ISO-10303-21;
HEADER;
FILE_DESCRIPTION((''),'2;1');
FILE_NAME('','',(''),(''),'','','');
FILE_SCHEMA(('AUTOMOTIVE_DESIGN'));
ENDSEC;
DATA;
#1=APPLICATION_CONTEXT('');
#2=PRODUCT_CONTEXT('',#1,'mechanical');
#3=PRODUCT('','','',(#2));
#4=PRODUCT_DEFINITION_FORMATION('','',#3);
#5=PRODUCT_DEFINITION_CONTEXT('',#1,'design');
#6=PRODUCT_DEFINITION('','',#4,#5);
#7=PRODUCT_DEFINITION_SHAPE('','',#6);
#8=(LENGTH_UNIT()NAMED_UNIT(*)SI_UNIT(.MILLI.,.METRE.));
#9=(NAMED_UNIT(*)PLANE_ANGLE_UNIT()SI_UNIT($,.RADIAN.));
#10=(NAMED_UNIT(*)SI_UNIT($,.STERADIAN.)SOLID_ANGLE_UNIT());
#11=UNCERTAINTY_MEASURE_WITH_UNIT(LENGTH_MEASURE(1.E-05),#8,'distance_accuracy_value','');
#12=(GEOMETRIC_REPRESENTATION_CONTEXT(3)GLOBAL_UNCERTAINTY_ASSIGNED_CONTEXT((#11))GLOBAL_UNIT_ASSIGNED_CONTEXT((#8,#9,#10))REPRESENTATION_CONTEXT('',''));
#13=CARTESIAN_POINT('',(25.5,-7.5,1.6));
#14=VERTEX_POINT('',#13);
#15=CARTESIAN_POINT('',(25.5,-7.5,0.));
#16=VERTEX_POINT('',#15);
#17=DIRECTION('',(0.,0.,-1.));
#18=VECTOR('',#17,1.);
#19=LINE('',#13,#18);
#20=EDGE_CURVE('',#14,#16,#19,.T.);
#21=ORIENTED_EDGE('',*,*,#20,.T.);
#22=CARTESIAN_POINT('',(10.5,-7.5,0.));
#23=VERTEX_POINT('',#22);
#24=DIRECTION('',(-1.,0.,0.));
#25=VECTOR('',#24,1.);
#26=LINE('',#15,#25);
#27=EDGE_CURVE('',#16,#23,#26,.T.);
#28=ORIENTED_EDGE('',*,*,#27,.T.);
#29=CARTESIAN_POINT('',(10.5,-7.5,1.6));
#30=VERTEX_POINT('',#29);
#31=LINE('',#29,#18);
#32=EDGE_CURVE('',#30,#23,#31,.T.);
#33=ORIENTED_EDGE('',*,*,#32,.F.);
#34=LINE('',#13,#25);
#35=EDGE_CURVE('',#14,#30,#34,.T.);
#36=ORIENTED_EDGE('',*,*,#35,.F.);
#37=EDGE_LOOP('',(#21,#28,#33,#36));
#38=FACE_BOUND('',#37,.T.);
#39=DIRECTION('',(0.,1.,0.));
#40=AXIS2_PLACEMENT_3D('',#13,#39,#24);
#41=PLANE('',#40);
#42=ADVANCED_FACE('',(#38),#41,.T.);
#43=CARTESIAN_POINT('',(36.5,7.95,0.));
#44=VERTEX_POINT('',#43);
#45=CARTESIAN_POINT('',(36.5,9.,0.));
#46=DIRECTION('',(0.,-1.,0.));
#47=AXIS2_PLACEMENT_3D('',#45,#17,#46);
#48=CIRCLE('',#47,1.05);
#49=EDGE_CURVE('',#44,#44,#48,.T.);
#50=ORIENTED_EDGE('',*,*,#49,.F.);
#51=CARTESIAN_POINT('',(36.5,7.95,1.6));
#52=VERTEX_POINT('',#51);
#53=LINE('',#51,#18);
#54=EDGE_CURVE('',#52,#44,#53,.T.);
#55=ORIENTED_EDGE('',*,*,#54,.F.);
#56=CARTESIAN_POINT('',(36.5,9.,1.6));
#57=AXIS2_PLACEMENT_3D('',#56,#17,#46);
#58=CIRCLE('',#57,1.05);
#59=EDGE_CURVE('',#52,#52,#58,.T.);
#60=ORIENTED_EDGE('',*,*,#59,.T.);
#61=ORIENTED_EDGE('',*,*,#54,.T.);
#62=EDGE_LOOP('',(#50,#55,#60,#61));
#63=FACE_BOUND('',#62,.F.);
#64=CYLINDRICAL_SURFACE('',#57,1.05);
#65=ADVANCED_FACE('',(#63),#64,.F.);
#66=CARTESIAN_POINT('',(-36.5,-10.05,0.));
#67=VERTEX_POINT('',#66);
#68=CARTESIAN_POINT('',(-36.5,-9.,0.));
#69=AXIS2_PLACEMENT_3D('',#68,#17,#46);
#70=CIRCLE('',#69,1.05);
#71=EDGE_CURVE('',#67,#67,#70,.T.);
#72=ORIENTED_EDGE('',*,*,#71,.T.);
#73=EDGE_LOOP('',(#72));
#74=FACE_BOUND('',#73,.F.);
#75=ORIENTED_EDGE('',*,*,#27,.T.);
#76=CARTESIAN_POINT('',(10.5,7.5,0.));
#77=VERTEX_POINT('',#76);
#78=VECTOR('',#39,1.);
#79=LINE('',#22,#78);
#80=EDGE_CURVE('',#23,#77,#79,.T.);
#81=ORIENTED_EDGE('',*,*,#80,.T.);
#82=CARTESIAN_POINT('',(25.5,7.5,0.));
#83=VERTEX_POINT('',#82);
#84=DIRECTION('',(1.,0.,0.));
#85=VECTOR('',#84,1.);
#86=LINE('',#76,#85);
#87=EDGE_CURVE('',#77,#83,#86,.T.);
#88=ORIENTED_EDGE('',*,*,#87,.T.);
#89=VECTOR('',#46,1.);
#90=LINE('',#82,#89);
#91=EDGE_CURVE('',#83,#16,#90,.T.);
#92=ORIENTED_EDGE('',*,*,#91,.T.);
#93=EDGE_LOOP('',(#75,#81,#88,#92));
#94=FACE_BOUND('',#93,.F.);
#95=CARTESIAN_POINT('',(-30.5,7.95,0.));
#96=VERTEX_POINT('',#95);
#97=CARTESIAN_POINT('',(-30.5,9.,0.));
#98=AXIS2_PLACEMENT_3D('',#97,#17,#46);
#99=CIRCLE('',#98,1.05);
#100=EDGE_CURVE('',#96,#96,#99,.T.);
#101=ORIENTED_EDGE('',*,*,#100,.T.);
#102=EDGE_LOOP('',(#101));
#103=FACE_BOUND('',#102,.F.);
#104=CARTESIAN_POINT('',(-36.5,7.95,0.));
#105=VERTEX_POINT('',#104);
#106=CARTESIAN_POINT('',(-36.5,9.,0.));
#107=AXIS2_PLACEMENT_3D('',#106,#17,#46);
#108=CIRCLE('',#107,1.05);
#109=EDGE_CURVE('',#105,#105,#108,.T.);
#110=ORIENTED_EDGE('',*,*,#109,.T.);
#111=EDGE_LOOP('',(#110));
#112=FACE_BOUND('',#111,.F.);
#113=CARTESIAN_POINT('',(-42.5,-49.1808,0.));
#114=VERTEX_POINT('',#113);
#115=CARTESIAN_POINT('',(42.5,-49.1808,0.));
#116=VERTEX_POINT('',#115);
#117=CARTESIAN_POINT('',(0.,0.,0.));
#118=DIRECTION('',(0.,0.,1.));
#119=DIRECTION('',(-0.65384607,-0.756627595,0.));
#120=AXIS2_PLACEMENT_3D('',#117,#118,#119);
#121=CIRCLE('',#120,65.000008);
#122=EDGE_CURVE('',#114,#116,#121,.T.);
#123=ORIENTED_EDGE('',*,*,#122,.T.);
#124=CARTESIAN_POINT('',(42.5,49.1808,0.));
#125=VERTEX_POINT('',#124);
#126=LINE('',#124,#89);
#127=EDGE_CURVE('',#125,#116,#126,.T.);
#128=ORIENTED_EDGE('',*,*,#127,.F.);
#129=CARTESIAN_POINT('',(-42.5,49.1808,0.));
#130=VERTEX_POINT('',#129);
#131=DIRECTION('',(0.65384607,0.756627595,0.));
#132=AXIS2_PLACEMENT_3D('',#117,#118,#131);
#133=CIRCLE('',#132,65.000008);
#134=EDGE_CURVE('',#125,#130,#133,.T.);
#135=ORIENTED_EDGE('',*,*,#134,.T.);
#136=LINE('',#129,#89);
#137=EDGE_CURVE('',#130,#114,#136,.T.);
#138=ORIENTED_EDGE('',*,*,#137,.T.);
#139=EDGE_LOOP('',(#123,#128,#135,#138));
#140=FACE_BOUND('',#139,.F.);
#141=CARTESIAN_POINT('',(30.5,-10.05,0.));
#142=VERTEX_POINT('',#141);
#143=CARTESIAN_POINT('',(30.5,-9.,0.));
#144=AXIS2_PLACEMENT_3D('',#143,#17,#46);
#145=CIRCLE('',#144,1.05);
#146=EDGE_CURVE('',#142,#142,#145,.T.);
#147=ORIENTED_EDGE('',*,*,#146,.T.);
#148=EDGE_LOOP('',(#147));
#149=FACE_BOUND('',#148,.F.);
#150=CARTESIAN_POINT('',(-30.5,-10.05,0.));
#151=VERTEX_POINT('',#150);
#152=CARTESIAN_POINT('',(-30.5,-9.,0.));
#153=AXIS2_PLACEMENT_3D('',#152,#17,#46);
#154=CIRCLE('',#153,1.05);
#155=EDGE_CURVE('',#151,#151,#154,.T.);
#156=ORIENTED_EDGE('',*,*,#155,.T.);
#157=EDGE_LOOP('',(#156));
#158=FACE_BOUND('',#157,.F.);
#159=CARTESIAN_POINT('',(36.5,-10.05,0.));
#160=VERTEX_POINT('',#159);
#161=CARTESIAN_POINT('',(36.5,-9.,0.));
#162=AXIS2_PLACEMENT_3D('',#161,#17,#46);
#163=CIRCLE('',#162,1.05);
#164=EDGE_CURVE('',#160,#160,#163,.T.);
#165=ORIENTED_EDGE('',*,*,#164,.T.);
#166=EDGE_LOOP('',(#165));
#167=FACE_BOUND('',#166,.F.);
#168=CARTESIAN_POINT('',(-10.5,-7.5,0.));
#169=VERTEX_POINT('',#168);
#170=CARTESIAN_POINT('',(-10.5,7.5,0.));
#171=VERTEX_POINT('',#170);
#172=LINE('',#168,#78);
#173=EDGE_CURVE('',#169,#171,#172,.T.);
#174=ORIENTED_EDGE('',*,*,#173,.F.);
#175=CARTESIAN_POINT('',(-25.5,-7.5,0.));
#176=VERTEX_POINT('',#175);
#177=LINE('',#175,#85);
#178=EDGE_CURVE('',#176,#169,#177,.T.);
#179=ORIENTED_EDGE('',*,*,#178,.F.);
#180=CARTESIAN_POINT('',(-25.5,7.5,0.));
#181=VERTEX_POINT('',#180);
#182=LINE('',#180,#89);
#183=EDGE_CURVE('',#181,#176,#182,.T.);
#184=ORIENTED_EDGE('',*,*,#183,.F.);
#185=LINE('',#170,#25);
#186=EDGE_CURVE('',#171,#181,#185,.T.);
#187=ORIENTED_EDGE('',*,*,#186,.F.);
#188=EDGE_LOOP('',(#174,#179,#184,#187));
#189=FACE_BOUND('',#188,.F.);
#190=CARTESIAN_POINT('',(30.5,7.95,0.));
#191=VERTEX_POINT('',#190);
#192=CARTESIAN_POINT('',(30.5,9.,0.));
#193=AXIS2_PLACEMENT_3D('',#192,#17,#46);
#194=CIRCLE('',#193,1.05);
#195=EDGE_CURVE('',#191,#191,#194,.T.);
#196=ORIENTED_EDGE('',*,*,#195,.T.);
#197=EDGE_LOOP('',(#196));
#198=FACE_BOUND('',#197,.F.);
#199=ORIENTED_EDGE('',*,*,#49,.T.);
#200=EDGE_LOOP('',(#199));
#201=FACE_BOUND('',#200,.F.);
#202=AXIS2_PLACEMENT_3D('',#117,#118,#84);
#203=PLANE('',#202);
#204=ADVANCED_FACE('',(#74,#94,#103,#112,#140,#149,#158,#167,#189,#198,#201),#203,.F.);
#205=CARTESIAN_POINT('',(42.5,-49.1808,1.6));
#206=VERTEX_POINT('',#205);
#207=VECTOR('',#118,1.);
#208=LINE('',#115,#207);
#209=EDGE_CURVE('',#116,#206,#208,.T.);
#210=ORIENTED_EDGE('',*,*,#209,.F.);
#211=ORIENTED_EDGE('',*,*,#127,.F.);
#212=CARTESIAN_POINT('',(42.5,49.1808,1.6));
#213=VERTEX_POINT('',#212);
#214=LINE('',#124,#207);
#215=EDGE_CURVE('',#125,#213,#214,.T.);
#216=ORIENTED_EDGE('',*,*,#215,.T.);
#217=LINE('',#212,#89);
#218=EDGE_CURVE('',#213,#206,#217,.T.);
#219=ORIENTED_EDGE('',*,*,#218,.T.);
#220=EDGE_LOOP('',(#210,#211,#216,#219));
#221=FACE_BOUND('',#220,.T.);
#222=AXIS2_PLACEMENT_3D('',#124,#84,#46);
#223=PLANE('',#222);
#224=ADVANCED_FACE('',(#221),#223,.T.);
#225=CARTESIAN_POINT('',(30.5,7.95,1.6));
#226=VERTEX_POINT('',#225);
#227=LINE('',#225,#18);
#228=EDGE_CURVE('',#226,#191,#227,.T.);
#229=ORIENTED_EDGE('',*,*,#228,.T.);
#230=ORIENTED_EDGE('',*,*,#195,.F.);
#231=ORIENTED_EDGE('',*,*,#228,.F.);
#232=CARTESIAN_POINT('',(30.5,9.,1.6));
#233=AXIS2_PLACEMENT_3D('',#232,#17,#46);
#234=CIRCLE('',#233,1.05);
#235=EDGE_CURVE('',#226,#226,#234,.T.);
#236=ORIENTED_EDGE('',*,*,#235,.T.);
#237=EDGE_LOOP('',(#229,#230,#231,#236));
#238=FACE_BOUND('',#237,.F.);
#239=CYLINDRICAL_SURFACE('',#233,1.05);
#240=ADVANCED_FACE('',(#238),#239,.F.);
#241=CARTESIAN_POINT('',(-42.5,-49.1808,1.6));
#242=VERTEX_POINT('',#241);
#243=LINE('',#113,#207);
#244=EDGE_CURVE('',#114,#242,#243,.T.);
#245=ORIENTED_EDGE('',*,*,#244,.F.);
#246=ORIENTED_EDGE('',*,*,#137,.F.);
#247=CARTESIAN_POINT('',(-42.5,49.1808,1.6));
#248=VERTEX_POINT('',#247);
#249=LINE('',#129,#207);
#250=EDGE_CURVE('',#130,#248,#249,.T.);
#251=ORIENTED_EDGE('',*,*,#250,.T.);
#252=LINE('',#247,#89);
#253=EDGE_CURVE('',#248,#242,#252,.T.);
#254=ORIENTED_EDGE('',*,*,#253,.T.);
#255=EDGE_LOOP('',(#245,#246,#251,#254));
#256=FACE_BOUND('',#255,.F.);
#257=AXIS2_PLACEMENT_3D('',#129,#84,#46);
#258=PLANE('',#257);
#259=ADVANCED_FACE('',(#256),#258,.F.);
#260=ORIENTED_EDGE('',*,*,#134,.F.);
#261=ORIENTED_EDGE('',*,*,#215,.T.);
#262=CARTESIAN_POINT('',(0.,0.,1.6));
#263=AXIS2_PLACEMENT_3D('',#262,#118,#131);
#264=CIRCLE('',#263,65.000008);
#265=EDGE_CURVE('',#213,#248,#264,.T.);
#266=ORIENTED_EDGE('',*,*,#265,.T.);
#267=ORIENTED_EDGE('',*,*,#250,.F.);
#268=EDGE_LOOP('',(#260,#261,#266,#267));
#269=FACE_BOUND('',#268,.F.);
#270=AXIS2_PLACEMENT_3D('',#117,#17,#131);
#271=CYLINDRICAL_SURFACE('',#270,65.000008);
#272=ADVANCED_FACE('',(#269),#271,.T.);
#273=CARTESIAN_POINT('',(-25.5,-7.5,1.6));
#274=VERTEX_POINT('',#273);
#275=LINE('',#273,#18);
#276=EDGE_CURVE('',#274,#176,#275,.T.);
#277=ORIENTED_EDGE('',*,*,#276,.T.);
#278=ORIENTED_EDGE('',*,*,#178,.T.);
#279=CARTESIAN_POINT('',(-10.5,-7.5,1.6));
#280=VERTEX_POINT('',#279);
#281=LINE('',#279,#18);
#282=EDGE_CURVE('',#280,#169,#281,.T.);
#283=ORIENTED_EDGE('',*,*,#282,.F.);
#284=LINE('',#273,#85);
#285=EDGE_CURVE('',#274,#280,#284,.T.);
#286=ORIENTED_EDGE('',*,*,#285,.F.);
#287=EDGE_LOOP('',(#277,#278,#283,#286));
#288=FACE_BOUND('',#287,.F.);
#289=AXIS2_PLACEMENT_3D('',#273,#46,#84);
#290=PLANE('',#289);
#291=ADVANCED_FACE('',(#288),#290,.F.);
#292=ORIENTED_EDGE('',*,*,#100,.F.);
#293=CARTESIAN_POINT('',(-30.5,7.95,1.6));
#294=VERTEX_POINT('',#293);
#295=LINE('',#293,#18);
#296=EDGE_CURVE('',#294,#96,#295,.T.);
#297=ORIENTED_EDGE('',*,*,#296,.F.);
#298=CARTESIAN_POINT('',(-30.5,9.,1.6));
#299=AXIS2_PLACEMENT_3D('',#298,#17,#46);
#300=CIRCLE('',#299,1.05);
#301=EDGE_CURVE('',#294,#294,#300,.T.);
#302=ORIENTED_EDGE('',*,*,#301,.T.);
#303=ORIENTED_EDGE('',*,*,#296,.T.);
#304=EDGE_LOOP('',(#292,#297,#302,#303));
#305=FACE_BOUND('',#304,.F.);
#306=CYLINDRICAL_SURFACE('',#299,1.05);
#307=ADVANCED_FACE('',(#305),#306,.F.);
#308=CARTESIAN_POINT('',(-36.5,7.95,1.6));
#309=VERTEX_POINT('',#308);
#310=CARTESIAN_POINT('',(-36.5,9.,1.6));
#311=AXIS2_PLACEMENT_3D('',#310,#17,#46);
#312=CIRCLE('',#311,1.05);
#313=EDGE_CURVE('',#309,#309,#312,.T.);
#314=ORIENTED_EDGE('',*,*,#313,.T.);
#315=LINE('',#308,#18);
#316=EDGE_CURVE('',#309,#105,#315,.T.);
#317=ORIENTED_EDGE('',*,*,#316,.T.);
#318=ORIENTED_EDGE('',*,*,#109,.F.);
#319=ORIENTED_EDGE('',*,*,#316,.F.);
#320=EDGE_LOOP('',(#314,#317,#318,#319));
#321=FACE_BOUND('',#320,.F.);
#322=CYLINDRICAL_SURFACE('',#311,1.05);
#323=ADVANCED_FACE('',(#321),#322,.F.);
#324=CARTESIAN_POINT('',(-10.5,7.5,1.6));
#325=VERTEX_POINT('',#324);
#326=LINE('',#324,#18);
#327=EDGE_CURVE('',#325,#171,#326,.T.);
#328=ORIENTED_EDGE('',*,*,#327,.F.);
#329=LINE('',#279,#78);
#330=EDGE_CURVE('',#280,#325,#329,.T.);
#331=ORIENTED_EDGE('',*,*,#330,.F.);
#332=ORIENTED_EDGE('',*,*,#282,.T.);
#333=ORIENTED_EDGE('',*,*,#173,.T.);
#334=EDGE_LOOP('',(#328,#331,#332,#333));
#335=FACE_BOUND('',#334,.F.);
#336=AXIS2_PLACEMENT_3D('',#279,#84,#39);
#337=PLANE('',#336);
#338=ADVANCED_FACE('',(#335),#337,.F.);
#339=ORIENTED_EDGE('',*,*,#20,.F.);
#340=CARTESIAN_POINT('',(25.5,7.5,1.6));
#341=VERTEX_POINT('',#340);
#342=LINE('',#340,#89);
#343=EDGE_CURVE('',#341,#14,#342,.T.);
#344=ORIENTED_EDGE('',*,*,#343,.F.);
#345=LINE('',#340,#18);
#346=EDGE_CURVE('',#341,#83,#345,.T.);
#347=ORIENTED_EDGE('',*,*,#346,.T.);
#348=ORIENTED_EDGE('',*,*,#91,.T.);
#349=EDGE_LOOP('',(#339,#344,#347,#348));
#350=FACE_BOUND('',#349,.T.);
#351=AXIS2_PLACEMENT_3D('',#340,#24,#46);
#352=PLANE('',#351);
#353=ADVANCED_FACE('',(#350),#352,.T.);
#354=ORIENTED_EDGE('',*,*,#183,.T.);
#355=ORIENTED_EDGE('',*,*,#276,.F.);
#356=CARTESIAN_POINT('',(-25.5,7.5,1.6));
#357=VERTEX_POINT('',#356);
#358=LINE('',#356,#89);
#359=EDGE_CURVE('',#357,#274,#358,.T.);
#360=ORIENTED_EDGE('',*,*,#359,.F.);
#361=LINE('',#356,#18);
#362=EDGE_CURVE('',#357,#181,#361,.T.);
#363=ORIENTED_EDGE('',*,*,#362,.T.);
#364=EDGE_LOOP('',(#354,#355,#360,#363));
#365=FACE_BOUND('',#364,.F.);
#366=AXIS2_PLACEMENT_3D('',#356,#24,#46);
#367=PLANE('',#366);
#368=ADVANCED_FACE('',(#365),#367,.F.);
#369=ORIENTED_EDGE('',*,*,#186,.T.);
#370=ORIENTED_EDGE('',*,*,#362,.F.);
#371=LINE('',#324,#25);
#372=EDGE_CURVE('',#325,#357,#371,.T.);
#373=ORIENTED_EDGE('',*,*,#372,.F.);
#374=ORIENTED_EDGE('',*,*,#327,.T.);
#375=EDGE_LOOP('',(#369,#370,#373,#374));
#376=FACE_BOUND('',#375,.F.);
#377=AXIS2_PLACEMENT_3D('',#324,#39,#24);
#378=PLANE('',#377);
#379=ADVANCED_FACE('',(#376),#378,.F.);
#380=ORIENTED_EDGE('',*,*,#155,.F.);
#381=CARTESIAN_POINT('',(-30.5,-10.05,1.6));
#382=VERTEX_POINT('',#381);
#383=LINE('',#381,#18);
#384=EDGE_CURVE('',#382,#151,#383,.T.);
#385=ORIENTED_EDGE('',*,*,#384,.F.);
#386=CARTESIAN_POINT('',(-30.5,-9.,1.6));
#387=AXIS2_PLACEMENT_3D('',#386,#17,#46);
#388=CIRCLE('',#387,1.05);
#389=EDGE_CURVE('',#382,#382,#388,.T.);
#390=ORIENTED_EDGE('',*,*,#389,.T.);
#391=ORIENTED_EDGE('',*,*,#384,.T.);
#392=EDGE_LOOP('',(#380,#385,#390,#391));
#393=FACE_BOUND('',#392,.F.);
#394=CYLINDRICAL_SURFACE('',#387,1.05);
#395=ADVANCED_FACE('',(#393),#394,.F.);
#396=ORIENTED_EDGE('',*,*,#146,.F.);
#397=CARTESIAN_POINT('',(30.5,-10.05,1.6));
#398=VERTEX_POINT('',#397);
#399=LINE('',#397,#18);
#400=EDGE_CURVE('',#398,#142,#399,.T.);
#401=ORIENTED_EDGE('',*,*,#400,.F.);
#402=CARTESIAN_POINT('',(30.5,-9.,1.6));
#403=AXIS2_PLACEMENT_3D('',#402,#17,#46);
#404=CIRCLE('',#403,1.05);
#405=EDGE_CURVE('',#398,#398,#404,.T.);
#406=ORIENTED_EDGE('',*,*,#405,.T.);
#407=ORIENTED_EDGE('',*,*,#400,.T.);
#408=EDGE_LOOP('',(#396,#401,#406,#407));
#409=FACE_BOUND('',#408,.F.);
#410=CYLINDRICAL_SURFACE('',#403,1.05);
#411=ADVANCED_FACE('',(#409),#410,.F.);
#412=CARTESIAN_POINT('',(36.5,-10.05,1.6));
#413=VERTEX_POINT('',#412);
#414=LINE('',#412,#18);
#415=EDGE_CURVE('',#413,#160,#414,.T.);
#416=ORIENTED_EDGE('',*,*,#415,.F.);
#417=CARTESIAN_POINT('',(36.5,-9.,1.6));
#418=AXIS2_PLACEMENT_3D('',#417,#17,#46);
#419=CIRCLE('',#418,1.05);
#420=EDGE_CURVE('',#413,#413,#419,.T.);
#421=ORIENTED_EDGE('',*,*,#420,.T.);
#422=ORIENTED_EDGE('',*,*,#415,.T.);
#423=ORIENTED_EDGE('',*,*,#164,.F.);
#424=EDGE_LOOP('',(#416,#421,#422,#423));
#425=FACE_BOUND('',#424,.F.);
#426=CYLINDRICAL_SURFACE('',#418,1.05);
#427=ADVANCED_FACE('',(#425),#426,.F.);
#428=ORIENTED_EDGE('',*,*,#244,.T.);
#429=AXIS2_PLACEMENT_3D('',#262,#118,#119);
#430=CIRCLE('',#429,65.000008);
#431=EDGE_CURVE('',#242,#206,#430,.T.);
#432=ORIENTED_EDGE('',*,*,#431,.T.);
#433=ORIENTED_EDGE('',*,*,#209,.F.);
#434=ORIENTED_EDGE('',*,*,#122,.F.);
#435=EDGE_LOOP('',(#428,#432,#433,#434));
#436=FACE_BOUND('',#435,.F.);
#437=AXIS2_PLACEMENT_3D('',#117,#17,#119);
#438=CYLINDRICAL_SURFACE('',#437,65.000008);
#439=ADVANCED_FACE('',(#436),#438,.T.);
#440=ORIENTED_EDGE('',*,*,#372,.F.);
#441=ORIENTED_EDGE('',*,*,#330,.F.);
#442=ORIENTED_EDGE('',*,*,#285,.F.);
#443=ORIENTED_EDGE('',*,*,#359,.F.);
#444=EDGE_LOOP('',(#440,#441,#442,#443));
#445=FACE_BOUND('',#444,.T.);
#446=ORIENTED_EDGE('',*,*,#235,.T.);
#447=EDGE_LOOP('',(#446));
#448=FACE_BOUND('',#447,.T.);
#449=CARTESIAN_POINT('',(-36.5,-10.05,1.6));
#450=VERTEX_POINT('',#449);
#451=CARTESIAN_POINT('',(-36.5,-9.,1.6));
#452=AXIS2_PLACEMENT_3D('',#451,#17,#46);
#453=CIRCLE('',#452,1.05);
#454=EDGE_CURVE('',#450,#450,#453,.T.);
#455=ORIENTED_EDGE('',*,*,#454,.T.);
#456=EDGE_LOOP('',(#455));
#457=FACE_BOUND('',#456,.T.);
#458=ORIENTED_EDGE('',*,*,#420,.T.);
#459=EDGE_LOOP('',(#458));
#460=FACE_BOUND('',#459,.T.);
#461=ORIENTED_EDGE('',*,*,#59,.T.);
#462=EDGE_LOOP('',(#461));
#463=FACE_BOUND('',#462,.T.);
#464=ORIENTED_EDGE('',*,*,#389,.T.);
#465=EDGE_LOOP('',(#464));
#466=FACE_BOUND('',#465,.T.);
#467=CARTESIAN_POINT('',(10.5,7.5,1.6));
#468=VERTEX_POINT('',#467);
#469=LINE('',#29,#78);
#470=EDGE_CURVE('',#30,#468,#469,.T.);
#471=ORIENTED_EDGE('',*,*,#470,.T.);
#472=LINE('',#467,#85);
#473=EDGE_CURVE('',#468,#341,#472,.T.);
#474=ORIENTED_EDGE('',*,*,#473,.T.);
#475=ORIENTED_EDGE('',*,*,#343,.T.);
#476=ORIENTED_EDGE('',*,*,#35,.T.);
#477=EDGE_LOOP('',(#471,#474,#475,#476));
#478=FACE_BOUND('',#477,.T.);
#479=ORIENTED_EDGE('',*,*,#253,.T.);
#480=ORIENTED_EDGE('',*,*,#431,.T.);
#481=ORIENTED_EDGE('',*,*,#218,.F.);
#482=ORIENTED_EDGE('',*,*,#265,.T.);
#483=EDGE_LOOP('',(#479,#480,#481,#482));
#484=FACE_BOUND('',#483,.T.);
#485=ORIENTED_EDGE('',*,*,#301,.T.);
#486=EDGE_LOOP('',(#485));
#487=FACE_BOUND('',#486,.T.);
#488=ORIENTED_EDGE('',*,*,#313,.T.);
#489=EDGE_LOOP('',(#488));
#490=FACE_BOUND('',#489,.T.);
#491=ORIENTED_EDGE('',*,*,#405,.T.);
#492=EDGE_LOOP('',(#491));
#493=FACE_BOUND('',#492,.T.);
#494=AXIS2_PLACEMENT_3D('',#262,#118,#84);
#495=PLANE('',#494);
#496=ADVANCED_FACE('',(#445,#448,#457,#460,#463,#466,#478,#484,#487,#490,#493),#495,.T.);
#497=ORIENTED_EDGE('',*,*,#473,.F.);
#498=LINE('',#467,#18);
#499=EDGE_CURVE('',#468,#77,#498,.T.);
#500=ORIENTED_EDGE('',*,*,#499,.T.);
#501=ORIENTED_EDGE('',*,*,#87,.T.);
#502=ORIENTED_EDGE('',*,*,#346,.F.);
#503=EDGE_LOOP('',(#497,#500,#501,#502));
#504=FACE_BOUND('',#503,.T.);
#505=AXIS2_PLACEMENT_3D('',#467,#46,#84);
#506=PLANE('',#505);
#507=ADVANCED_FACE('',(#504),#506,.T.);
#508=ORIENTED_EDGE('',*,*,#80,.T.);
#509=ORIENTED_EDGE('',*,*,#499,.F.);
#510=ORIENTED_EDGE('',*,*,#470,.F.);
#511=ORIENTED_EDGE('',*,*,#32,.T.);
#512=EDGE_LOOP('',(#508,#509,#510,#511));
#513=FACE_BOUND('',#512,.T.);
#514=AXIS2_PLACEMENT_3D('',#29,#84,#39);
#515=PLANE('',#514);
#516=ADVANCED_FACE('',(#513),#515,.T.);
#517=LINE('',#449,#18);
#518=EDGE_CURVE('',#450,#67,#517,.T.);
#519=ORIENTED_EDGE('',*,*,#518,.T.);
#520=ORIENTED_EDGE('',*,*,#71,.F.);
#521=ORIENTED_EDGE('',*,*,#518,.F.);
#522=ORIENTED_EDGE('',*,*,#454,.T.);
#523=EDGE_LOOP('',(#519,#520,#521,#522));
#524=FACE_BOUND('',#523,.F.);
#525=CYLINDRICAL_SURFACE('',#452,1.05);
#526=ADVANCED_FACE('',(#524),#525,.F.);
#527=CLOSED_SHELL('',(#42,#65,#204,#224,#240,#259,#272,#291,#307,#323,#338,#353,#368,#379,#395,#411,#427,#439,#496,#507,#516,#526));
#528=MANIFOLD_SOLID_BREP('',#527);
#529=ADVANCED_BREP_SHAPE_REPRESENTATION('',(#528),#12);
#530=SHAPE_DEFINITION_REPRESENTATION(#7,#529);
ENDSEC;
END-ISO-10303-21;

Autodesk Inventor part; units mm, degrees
ref_plane "YZ Plane" through (0, 0, 0) normal (1, 0, 0) x (0, 1, 0)
ref_plane "XZ Plane" through (0, 0, 0) normal (0, 1, 0) x (-1, 0, 0)
ref_plane "XY Plane" through (0, 0, 0) normal (0, 0, 1) x (1, 0, 0)
sketch "スケッチ1" plane through (0, 0, 0) normal (0, 0, 1) x (1, 0, 0)
  circle A0 centre (0, 0) radius 65 construction
  line L0 (-42.5, 65) -> (42.5, 65) construction
  line L1 (42.5, 65) -> (42.5, -65) construction
  line L2 (42.5, -65) -> (-42.5, -65) construction
  line L3 (-42.5, -65) -> (-42.5, 65) construction
  arc A1 (42.5, 49.1808) -> (-42.5, 49.1808) centre (0, 0) ccw
  arc A2 (-42.5, -49.1808) -> (42.5, -49.1808) centre (0, 0) ccw
  line L4 (0, 76.204) -> (0, -76.204) construction
  line L5 (-73.9944, 0) -> (73.9944, 0) construction
  line L6 (-42.5, 49.1808) -> (-42.5, -49.1808)
  line L7 (42.5, 49.1808) -> (42.5, -49.1808)
  point P0 (0, -65)
  point P1 (-42.5, 0)
  dimension "d0" = 130
  dimension "d1" = 85
extrude "基板" add sketch "スケッチ1" along normal blind 1.6
sketch "スケッチ2" plane through (0, 0, 1.6) normal (0, 0, 1) x (1, 0, 0)
  line L0 (-58.3969, 0) -> (58.3969, 0) construction
  line L1 (0, 57.0916) -> (0, -57.0916) construction
  line L2 (-42.5, 49.1808) -> (-42.5, -49.1808) construction
  point P0 (0, 0)
  point P1 (0, 0)
  point P2 (-36.5, 9)
  point P3 (-36.5, -9)
  point P4 (-30.5, 9)
  point P5 (-30.5, -9)
  point P6 (36.5, 9)
  point P7 (36.5, -9)
  point P8 (30.5, -9)
  point P9 (30.5, 9)
  dimension "d8" = 18
  dimension "d9" = 6
  dimension "d18" = 6
hole "ギヤボックス取付穴" at (-36.5, 9, 1.6) at (-36.5, -9, 1.6) at (-30.5, 9, 1.6) at (-30.5, -9, 1.6) at (36.5, 9, 1.6) at (36.5, -9, 1.6) at (30.5, -9, 1.6) at (30.5, 9, 1.6) direction (0, 0, -1) diameter 2.1 end through all
sketch "スケッチ3" plane through (0, 0, 1.6) normal (0, 0, 1) x (1, 0, 0)
  line L0 (-55.3039, 0) -> (55.3039, 0) construction
  line L1 (-10.5, 7.5) -> (-25.5, 7.5)
  line L2 (-25.5, 7.5) -> (-25.5, -7.5)
  line L3 (-25.5, -7.5) -> (-10.5, -7.5)
  line L4 (-10.5, -7.5) -> (-10.5, 7.5)
  line L5 (10.5, 7.5) -> (25.5, 7.5)
  line L6 (25.5, 7.5) -> (25.5, -7.5)
  line L7 (25.5, -7.5) -> (10.5, -7.5)
  line L8 (10.5, -7.5) -> (10.5, 7.5)
  line L9 (0, 63.8945) -> (0, -63.8945) construction
  circle A0 centre (-30.5, 9) radius 1.05 projected
  point P0 (0, 0)
  point P1 (0, 0)
  point P2 (-10.5, 0)
  dimension "d19" = 20
  dimension "d20" = 15
  dimension "d21" = 15
extrude "エンコーダ取出し穴" cut sketch "スケッチ3" against normal blind 1.6 contours L4 L3 L2 L1 | L5 L6 L7 L8
properties part number "BaseBoard1"
